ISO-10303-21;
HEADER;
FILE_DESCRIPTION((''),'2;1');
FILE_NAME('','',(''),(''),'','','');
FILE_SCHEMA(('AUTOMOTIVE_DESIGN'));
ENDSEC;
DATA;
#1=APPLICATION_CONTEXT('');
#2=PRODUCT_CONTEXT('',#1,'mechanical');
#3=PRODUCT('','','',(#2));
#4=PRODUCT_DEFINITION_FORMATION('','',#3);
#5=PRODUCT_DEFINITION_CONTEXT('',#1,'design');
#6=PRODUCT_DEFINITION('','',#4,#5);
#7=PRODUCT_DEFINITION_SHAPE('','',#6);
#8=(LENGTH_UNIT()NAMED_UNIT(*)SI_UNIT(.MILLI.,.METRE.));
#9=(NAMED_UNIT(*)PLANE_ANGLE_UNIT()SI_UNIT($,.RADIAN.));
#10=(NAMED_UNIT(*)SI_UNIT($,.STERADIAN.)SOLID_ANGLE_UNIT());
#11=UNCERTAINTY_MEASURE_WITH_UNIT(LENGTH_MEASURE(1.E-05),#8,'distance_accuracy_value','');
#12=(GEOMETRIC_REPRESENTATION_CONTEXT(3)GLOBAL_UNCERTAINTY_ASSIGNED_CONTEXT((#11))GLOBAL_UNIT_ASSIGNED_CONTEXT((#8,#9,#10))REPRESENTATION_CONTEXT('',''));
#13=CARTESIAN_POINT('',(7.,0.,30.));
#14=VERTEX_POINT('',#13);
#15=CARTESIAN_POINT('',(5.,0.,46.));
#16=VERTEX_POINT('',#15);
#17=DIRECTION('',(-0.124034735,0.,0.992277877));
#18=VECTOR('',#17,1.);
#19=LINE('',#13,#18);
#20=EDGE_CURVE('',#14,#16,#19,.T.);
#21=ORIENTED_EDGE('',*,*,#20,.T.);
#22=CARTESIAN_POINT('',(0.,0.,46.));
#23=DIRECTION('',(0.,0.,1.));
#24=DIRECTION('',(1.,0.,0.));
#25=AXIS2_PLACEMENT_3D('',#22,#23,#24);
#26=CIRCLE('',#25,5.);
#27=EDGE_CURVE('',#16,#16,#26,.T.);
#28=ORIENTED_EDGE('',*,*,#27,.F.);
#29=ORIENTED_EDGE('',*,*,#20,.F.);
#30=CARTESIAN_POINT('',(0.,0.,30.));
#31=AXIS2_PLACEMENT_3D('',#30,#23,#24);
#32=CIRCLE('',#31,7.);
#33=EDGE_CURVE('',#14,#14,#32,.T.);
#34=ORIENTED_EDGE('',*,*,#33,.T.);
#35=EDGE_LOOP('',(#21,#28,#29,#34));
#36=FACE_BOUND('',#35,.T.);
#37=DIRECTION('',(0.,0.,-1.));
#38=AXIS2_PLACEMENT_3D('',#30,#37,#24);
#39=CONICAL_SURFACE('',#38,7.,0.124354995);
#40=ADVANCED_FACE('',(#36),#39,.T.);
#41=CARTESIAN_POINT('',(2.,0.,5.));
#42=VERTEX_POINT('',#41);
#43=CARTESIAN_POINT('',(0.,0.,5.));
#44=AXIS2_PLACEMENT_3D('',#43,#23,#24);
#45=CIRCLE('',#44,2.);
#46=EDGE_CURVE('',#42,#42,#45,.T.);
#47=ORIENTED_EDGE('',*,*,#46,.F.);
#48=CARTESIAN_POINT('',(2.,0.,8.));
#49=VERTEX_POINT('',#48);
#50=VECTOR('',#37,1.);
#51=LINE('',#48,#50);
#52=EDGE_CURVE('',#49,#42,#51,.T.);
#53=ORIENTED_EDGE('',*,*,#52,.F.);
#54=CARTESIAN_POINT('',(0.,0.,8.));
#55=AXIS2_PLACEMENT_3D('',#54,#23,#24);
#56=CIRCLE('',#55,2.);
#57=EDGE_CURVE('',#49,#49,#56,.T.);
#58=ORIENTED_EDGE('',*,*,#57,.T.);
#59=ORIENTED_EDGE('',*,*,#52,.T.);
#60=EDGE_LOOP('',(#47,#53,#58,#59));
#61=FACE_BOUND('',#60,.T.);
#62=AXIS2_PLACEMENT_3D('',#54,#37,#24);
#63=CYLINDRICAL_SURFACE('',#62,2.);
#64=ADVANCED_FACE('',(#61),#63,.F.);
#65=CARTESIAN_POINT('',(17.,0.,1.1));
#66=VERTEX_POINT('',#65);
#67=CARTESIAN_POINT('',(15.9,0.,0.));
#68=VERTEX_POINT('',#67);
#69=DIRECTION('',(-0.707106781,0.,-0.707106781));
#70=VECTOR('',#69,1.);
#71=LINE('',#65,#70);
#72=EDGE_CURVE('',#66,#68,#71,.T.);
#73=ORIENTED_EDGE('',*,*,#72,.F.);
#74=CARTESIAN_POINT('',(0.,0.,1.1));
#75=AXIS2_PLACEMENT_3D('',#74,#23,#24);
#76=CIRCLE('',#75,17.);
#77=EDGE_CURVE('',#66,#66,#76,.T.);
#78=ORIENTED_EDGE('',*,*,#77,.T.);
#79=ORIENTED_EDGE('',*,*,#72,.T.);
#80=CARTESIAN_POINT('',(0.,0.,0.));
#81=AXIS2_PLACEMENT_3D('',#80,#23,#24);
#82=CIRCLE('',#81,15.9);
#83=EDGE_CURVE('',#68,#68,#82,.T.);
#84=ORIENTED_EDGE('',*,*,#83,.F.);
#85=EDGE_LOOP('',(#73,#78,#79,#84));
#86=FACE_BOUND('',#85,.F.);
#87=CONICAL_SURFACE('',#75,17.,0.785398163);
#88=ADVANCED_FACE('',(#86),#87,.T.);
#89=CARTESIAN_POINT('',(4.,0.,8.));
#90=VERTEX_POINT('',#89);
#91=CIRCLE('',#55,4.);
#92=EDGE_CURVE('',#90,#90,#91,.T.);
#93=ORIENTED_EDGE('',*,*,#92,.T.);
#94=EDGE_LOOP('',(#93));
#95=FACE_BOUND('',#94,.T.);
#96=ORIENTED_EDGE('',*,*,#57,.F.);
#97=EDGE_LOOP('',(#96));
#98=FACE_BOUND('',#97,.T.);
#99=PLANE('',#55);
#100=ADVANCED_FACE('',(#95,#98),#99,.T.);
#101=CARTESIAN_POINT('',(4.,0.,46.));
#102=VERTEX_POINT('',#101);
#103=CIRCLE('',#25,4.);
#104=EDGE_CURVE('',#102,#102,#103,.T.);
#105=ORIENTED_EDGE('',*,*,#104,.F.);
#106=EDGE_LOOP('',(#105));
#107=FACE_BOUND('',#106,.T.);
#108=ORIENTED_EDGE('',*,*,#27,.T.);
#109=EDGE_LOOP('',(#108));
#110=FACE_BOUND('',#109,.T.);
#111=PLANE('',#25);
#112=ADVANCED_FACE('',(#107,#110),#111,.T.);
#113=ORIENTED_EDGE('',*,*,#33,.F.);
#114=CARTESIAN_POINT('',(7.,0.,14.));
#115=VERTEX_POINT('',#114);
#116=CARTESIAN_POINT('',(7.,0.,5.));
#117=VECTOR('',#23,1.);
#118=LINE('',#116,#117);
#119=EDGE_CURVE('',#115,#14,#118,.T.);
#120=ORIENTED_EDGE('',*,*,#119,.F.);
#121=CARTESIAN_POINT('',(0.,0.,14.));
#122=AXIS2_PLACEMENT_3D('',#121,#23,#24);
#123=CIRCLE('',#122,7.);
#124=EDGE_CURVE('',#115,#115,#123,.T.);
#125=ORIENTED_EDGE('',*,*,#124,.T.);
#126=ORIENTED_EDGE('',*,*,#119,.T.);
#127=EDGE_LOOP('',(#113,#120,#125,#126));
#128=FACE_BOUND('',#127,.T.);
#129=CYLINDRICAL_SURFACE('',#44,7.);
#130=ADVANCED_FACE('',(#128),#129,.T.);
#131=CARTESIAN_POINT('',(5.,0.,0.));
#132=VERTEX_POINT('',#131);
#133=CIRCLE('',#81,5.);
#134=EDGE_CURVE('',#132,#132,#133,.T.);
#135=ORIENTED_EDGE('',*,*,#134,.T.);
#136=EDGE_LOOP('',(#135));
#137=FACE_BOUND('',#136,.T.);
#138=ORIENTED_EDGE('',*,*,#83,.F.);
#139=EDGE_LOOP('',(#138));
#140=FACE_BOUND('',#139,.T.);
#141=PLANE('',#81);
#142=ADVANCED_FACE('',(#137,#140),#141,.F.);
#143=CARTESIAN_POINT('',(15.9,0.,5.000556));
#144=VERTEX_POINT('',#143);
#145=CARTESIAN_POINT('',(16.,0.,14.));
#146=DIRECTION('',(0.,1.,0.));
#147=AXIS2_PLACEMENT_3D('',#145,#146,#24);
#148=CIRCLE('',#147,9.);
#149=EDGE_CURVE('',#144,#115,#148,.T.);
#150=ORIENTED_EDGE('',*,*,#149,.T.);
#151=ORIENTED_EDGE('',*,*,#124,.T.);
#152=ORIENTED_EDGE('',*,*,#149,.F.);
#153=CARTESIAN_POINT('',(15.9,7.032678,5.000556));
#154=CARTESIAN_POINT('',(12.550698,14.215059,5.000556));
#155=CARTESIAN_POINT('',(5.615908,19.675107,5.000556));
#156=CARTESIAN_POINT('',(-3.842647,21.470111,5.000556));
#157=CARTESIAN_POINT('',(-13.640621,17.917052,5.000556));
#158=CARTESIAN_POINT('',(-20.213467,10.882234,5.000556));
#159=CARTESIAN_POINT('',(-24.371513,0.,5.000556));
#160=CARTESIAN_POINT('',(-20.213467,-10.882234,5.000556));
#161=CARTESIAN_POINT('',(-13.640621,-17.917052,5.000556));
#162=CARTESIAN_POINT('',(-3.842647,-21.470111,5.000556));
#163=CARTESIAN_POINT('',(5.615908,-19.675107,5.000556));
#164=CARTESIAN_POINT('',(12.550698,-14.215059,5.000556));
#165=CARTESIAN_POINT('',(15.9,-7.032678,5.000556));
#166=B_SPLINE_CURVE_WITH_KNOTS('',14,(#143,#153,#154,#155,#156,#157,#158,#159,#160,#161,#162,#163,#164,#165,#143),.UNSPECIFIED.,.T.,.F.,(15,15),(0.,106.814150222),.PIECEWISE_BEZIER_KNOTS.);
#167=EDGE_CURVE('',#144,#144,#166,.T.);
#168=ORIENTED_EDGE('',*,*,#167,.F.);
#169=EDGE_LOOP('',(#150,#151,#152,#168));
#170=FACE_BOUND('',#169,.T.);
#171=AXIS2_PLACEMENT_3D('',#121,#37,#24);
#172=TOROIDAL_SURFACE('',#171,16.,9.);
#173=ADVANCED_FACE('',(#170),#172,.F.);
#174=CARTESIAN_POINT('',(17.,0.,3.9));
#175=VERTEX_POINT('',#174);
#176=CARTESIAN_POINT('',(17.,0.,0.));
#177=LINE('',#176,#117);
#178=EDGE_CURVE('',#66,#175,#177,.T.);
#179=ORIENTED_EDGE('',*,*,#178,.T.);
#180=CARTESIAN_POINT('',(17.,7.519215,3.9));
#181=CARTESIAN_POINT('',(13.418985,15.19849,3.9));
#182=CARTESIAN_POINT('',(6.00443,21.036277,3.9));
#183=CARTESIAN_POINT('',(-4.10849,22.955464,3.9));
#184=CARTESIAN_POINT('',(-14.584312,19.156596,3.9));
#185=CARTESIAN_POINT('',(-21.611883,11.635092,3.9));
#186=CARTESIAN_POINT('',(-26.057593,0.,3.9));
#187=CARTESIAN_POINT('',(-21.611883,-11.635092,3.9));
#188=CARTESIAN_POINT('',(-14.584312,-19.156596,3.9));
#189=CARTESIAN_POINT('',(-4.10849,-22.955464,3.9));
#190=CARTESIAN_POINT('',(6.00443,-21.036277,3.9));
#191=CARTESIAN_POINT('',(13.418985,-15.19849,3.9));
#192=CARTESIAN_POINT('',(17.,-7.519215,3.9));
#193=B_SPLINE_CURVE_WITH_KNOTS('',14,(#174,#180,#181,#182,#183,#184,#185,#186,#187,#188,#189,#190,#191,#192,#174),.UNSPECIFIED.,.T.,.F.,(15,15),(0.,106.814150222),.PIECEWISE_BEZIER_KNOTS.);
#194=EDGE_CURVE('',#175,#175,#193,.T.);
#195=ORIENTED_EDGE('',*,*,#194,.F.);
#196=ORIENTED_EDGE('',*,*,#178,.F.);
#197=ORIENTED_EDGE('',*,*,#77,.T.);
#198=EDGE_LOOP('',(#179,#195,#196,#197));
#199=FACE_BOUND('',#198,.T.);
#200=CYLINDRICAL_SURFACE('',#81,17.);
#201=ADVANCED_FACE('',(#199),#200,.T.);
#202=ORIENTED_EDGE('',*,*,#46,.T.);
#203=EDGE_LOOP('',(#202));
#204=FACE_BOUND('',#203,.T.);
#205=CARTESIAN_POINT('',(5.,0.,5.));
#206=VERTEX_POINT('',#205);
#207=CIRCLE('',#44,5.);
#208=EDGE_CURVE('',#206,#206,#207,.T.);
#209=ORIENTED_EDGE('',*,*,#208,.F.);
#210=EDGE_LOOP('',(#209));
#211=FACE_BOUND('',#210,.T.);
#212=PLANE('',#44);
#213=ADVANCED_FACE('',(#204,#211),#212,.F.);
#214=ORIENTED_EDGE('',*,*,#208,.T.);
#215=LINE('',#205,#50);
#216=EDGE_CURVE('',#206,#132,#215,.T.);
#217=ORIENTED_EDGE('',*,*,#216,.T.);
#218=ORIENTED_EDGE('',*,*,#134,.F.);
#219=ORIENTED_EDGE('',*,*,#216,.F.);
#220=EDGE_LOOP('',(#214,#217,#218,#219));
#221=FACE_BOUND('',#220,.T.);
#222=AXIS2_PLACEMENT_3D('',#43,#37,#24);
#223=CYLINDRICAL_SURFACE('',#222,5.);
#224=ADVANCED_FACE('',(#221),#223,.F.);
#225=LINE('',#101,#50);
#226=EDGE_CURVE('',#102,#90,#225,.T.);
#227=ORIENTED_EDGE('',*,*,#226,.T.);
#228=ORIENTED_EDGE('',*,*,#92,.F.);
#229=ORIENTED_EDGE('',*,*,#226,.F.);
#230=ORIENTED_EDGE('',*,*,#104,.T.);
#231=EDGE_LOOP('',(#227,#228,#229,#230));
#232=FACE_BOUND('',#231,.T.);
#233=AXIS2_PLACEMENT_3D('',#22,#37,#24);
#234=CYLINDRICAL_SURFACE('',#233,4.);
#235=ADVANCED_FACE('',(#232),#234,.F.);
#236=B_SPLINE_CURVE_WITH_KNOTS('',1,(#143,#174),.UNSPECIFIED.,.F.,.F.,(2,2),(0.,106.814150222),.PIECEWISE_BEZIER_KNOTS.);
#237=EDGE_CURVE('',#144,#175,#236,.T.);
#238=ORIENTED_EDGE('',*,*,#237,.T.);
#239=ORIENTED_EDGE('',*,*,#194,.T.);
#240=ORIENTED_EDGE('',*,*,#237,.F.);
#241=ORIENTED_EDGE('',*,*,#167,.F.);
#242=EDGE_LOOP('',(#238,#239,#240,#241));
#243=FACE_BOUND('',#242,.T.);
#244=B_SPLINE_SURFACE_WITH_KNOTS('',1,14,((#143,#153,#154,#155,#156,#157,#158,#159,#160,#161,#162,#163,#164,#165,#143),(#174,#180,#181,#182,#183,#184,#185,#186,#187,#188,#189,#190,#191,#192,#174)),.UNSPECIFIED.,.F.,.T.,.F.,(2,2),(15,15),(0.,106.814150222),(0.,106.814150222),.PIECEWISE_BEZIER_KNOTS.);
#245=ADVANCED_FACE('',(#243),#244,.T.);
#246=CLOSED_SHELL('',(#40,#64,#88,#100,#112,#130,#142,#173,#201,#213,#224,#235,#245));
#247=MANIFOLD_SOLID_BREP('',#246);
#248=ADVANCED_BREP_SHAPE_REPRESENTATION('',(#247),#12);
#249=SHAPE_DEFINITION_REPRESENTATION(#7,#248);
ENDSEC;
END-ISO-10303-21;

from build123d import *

# Parameters (mm, degrees)
FILLET_R     = 9
CHAMFER_SIZE = 1.1


with BuildPart() as part:
    # Sketch → Revolution (revolve)
    with BuildSketch(Plane.XZ):
        Polygon((4, 46), (4, 8), (2, 8), (2, 5), (5, 5), (5, 0), (17, 0), (17, 5), (7, 5), (7, 30), (5, 46), align=None)
    revolve(axis=Axis((0, 0, 0), (0, 0, 1)))

    # Fillet
    fillet_edges = [part.edges().sort_by_distance(p)[0] for p in [
        (-7, 0, 5),
    ]]
    fillet(fillet_edges, radius=FILLET_R)

    # Chamfer
    chamfer_edges = [part.edges().sort_by_distance(p)[0] for p in [
        (-17, 0, 5),
        (-17, 0, 0),
    ]]
    chamfer(chamfer_edges, length=CHAMFER_SIZE)


solid = part.part
